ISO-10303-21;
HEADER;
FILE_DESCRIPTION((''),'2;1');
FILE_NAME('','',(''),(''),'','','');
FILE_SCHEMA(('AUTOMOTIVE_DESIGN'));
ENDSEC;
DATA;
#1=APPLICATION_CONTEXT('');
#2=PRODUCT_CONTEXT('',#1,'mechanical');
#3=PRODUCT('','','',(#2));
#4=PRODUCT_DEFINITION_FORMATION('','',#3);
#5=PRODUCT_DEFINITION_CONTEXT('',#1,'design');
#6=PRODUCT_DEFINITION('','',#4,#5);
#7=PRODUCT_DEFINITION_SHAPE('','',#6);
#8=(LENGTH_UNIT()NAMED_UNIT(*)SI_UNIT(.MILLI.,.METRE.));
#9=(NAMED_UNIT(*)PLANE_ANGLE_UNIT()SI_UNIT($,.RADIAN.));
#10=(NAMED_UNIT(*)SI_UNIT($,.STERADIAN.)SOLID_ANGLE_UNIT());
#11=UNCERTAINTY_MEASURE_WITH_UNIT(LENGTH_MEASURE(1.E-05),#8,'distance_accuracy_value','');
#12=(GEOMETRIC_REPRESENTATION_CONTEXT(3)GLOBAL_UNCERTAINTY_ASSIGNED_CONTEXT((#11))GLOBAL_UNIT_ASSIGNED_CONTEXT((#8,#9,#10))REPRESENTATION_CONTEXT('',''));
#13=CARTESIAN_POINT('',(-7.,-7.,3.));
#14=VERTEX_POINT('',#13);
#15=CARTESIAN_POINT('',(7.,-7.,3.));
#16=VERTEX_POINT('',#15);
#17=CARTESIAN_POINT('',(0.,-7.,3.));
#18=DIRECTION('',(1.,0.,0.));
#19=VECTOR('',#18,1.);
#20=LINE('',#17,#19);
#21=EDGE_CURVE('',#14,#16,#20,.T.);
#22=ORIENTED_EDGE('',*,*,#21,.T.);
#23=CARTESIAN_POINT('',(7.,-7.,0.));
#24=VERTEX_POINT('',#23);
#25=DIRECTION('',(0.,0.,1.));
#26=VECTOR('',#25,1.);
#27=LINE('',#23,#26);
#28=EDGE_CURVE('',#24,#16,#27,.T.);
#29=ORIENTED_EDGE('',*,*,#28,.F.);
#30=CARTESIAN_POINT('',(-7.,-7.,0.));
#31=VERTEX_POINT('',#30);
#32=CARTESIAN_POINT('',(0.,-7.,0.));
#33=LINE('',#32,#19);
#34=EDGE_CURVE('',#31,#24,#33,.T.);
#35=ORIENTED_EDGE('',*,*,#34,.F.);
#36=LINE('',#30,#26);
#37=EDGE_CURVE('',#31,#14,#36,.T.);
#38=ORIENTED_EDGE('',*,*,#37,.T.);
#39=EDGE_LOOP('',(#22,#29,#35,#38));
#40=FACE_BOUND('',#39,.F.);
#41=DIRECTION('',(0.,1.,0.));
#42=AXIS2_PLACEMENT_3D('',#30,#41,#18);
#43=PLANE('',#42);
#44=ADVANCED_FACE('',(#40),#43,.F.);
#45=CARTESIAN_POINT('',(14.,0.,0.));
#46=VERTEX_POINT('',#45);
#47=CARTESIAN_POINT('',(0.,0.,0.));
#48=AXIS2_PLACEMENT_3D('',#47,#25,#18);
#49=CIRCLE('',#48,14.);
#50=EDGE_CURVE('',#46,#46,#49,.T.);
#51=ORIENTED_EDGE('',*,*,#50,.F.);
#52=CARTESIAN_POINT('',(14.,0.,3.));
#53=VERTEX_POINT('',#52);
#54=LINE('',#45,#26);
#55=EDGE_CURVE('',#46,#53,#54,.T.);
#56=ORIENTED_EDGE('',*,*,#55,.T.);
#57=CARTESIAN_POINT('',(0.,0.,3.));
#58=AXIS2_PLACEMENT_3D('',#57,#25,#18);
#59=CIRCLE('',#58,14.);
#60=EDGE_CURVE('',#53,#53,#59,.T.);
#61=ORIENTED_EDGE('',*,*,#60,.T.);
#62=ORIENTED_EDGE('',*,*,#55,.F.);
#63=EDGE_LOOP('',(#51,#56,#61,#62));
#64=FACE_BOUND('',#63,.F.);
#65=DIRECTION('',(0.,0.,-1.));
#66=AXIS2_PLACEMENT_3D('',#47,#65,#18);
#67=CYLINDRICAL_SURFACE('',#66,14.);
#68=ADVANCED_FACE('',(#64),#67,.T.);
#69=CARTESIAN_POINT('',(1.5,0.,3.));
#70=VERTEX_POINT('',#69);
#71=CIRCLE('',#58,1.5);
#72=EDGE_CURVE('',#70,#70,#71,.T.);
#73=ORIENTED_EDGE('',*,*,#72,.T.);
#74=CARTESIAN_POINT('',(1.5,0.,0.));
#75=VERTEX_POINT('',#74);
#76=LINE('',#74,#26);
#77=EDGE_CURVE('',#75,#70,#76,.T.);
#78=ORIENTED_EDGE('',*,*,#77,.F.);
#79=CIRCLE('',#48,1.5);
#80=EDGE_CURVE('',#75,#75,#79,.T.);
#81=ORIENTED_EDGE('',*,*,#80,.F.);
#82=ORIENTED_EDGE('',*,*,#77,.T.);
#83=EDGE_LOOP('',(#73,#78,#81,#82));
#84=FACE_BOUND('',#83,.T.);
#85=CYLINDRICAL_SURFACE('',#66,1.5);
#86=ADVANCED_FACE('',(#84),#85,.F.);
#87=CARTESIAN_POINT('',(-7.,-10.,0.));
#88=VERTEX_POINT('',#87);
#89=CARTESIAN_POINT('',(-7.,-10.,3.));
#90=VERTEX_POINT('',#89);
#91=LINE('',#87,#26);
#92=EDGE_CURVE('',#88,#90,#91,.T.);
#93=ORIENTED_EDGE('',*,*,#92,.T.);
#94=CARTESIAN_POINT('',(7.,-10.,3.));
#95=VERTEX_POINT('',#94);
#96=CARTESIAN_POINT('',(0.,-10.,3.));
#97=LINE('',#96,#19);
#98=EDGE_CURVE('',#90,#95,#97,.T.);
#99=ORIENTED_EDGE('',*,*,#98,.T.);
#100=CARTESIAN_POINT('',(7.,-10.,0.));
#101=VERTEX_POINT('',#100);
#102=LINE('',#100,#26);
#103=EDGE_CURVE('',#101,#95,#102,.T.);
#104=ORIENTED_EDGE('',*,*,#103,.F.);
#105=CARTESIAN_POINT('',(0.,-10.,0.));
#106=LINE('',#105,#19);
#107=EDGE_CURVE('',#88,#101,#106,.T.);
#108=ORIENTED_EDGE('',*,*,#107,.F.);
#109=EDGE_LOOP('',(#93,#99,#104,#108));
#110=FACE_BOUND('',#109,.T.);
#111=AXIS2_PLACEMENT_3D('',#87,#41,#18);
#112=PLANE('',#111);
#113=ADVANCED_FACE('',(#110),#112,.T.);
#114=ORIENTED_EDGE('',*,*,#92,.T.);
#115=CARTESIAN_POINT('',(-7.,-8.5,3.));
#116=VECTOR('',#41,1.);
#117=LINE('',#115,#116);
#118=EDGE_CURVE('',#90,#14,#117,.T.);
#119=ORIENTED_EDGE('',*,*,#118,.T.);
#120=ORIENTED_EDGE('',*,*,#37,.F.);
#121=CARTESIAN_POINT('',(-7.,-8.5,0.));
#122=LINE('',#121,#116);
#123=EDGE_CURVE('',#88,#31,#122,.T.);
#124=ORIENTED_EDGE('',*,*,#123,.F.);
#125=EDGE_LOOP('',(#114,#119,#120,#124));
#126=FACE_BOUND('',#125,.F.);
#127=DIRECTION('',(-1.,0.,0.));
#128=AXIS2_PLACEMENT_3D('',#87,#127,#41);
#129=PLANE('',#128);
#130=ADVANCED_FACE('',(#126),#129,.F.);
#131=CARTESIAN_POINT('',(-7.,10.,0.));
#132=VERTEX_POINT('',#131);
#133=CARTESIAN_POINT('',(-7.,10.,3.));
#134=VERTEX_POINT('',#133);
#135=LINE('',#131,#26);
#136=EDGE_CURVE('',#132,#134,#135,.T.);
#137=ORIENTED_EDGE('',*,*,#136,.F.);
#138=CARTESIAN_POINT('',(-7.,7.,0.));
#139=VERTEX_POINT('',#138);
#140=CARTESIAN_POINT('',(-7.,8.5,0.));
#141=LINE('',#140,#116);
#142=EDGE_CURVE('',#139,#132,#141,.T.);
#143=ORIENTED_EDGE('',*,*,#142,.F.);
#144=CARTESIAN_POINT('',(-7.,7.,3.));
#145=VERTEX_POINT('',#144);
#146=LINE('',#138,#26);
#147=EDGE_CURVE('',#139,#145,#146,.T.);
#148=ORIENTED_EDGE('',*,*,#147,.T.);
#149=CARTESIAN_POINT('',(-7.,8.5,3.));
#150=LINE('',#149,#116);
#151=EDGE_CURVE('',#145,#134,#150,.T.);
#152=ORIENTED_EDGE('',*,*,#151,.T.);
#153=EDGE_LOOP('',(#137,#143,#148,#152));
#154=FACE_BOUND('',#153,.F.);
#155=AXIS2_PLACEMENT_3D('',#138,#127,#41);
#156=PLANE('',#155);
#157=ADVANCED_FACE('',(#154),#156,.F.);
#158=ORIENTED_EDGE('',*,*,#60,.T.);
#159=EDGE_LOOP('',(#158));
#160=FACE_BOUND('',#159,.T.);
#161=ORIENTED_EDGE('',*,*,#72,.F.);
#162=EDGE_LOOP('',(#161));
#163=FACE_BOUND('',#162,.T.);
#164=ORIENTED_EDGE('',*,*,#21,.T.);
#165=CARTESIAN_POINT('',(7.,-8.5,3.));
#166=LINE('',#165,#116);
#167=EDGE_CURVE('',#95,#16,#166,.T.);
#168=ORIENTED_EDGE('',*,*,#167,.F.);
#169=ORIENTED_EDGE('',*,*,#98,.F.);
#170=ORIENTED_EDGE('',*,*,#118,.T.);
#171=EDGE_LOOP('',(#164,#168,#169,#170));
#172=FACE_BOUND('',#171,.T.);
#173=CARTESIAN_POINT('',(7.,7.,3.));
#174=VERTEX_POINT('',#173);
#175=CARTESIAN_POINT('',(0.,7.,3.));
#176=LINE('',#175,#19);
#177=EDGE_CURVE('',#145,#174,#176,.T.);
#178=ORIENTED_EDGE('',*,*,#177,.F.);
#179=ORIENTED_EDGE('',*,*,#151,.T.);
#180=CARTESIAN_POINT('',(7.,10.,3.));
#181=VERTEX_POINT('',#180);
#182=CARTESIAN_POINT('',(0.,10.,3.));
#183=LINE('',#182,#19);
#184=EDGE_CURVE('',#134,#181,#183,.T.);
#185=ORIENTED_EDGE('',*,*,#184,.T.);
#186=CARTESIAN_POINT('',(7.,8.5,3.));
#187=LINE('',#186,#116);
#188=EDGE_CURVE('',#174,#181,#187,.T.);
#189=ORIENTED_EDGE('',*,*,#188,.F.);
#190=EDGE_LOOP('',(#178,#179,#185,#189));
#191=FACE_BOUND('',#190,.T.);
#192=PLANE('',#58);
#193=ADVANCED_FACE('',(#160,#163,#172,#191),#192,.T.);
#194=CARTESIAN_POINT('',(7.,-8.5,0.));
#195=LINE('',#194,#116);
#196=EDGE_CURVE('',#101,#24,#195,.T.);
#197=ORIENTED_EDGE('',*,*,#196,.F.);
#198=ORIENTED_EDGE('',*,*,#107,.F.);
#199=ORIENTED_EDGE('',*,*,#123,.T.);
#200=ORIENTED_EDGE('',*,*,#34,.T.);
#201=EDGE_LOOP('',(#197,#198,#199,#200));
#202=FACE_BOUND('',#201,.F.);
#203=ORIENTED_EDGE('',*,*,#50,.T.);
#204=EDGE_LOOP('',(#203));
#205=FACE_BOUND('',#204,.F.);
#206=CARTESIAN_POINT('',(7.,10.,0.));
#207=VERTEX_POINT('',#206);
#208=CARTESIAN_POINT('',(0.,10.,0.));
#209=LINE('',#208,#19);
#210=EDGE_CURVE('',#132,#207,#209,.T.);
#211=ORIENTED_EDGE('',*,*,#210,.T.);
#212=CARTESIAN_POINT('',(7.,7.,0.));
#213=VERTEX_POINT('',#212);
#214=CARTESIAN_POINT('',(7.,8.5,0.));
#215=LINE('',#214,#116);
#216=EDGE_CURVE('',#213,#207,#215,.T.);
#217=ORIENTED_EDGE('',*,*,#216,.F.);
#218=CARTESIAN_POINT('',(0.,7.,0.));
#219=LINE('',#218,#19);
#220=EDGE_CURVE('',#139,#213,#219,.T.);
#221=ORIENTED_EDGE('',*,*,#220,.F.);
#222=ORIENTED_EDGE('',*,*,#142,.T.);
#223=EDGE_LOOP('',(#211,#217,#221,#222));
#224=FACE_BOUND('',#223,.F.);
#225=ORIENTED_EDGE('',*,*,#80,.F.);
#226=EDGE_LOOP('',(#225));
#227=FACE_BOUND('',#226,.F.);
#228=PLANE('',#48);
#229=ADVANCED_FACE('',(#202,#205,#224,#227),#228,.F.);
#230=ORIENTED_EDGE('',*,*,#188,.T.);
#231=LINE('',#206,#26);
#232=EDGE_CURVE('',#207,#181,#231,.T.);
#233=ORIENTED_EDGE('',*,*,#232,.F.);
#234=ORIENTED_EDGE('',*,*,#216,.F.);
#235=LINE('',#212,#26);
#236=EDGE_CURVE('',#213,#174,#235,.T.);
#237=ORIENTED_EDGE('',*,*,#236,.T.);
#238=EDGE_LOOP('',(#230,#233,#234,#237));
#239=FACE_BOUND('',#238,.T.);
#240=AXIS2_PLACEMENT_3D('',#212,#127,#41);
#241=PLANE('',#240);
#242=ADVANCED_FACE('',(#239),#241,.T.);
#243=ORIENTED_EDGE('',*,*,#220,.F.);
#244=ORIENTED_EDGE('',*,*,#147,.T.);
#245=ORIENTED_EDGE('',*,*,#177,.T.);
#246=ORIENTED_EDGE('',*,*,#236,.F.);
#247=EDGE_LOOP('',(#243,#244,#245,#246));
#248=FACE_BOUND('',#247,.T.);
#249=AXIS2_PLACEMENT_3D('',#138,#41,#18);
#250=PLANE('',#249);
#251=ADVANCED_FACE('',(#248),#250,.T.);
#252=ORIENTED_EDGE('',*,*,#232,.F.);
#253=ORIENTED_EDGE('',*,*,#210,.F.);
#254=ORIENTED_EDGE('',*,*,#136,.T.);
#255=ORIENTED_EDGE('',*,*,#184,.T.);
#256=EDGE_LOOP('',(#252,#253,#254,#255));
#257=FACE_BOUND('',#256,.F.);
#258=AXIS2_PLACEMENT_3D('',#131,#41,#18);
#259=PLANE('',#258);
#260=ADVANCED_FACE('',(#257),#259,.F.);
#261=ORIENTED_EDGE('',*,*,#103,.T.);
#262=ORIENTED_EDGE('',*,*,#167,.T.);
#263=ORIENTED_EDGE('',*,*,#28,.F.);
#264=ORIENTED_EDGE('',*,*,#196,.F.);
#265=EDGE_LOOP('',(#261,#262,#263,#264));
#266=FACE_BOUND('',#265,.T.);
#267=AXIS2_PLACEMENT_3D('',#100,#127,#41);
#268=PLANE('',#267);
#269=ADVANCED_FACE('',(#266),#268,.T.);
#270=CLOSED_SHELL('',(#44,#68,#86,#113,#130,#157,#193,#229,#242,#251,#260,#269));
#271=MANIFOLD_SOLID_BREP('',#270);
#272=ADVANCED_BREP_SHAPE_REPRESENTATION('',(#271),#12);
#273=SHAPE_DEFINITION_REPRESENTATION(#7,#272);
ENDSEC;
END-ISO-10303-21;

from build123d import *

# Parameters (mm, degrees)
F0_R     = 14
F0_W     = 14
F0_H     = 3
F0_R_2   = 1.5
F1_DEPTH = 3


with BuildPart() as f1:
    # F0 (on Top) → F1 (new body)
    with BuildSketch(Plane.XY):
        Circle(F0_R)
        with Locations((0, -8.5)):
            Rectangle(F0_W, F0_H, mode=Mode.SUBTRACT)
        Circle(F0_R_2, mode=Mode.SUBTRACT)
        with Locations((0, 8.5)):
            Rectangle(F0_W, F0_H, mode=Mode.SUBTRACT)
    extrude(amount=F1_DEPTH)


solid = f1.part
